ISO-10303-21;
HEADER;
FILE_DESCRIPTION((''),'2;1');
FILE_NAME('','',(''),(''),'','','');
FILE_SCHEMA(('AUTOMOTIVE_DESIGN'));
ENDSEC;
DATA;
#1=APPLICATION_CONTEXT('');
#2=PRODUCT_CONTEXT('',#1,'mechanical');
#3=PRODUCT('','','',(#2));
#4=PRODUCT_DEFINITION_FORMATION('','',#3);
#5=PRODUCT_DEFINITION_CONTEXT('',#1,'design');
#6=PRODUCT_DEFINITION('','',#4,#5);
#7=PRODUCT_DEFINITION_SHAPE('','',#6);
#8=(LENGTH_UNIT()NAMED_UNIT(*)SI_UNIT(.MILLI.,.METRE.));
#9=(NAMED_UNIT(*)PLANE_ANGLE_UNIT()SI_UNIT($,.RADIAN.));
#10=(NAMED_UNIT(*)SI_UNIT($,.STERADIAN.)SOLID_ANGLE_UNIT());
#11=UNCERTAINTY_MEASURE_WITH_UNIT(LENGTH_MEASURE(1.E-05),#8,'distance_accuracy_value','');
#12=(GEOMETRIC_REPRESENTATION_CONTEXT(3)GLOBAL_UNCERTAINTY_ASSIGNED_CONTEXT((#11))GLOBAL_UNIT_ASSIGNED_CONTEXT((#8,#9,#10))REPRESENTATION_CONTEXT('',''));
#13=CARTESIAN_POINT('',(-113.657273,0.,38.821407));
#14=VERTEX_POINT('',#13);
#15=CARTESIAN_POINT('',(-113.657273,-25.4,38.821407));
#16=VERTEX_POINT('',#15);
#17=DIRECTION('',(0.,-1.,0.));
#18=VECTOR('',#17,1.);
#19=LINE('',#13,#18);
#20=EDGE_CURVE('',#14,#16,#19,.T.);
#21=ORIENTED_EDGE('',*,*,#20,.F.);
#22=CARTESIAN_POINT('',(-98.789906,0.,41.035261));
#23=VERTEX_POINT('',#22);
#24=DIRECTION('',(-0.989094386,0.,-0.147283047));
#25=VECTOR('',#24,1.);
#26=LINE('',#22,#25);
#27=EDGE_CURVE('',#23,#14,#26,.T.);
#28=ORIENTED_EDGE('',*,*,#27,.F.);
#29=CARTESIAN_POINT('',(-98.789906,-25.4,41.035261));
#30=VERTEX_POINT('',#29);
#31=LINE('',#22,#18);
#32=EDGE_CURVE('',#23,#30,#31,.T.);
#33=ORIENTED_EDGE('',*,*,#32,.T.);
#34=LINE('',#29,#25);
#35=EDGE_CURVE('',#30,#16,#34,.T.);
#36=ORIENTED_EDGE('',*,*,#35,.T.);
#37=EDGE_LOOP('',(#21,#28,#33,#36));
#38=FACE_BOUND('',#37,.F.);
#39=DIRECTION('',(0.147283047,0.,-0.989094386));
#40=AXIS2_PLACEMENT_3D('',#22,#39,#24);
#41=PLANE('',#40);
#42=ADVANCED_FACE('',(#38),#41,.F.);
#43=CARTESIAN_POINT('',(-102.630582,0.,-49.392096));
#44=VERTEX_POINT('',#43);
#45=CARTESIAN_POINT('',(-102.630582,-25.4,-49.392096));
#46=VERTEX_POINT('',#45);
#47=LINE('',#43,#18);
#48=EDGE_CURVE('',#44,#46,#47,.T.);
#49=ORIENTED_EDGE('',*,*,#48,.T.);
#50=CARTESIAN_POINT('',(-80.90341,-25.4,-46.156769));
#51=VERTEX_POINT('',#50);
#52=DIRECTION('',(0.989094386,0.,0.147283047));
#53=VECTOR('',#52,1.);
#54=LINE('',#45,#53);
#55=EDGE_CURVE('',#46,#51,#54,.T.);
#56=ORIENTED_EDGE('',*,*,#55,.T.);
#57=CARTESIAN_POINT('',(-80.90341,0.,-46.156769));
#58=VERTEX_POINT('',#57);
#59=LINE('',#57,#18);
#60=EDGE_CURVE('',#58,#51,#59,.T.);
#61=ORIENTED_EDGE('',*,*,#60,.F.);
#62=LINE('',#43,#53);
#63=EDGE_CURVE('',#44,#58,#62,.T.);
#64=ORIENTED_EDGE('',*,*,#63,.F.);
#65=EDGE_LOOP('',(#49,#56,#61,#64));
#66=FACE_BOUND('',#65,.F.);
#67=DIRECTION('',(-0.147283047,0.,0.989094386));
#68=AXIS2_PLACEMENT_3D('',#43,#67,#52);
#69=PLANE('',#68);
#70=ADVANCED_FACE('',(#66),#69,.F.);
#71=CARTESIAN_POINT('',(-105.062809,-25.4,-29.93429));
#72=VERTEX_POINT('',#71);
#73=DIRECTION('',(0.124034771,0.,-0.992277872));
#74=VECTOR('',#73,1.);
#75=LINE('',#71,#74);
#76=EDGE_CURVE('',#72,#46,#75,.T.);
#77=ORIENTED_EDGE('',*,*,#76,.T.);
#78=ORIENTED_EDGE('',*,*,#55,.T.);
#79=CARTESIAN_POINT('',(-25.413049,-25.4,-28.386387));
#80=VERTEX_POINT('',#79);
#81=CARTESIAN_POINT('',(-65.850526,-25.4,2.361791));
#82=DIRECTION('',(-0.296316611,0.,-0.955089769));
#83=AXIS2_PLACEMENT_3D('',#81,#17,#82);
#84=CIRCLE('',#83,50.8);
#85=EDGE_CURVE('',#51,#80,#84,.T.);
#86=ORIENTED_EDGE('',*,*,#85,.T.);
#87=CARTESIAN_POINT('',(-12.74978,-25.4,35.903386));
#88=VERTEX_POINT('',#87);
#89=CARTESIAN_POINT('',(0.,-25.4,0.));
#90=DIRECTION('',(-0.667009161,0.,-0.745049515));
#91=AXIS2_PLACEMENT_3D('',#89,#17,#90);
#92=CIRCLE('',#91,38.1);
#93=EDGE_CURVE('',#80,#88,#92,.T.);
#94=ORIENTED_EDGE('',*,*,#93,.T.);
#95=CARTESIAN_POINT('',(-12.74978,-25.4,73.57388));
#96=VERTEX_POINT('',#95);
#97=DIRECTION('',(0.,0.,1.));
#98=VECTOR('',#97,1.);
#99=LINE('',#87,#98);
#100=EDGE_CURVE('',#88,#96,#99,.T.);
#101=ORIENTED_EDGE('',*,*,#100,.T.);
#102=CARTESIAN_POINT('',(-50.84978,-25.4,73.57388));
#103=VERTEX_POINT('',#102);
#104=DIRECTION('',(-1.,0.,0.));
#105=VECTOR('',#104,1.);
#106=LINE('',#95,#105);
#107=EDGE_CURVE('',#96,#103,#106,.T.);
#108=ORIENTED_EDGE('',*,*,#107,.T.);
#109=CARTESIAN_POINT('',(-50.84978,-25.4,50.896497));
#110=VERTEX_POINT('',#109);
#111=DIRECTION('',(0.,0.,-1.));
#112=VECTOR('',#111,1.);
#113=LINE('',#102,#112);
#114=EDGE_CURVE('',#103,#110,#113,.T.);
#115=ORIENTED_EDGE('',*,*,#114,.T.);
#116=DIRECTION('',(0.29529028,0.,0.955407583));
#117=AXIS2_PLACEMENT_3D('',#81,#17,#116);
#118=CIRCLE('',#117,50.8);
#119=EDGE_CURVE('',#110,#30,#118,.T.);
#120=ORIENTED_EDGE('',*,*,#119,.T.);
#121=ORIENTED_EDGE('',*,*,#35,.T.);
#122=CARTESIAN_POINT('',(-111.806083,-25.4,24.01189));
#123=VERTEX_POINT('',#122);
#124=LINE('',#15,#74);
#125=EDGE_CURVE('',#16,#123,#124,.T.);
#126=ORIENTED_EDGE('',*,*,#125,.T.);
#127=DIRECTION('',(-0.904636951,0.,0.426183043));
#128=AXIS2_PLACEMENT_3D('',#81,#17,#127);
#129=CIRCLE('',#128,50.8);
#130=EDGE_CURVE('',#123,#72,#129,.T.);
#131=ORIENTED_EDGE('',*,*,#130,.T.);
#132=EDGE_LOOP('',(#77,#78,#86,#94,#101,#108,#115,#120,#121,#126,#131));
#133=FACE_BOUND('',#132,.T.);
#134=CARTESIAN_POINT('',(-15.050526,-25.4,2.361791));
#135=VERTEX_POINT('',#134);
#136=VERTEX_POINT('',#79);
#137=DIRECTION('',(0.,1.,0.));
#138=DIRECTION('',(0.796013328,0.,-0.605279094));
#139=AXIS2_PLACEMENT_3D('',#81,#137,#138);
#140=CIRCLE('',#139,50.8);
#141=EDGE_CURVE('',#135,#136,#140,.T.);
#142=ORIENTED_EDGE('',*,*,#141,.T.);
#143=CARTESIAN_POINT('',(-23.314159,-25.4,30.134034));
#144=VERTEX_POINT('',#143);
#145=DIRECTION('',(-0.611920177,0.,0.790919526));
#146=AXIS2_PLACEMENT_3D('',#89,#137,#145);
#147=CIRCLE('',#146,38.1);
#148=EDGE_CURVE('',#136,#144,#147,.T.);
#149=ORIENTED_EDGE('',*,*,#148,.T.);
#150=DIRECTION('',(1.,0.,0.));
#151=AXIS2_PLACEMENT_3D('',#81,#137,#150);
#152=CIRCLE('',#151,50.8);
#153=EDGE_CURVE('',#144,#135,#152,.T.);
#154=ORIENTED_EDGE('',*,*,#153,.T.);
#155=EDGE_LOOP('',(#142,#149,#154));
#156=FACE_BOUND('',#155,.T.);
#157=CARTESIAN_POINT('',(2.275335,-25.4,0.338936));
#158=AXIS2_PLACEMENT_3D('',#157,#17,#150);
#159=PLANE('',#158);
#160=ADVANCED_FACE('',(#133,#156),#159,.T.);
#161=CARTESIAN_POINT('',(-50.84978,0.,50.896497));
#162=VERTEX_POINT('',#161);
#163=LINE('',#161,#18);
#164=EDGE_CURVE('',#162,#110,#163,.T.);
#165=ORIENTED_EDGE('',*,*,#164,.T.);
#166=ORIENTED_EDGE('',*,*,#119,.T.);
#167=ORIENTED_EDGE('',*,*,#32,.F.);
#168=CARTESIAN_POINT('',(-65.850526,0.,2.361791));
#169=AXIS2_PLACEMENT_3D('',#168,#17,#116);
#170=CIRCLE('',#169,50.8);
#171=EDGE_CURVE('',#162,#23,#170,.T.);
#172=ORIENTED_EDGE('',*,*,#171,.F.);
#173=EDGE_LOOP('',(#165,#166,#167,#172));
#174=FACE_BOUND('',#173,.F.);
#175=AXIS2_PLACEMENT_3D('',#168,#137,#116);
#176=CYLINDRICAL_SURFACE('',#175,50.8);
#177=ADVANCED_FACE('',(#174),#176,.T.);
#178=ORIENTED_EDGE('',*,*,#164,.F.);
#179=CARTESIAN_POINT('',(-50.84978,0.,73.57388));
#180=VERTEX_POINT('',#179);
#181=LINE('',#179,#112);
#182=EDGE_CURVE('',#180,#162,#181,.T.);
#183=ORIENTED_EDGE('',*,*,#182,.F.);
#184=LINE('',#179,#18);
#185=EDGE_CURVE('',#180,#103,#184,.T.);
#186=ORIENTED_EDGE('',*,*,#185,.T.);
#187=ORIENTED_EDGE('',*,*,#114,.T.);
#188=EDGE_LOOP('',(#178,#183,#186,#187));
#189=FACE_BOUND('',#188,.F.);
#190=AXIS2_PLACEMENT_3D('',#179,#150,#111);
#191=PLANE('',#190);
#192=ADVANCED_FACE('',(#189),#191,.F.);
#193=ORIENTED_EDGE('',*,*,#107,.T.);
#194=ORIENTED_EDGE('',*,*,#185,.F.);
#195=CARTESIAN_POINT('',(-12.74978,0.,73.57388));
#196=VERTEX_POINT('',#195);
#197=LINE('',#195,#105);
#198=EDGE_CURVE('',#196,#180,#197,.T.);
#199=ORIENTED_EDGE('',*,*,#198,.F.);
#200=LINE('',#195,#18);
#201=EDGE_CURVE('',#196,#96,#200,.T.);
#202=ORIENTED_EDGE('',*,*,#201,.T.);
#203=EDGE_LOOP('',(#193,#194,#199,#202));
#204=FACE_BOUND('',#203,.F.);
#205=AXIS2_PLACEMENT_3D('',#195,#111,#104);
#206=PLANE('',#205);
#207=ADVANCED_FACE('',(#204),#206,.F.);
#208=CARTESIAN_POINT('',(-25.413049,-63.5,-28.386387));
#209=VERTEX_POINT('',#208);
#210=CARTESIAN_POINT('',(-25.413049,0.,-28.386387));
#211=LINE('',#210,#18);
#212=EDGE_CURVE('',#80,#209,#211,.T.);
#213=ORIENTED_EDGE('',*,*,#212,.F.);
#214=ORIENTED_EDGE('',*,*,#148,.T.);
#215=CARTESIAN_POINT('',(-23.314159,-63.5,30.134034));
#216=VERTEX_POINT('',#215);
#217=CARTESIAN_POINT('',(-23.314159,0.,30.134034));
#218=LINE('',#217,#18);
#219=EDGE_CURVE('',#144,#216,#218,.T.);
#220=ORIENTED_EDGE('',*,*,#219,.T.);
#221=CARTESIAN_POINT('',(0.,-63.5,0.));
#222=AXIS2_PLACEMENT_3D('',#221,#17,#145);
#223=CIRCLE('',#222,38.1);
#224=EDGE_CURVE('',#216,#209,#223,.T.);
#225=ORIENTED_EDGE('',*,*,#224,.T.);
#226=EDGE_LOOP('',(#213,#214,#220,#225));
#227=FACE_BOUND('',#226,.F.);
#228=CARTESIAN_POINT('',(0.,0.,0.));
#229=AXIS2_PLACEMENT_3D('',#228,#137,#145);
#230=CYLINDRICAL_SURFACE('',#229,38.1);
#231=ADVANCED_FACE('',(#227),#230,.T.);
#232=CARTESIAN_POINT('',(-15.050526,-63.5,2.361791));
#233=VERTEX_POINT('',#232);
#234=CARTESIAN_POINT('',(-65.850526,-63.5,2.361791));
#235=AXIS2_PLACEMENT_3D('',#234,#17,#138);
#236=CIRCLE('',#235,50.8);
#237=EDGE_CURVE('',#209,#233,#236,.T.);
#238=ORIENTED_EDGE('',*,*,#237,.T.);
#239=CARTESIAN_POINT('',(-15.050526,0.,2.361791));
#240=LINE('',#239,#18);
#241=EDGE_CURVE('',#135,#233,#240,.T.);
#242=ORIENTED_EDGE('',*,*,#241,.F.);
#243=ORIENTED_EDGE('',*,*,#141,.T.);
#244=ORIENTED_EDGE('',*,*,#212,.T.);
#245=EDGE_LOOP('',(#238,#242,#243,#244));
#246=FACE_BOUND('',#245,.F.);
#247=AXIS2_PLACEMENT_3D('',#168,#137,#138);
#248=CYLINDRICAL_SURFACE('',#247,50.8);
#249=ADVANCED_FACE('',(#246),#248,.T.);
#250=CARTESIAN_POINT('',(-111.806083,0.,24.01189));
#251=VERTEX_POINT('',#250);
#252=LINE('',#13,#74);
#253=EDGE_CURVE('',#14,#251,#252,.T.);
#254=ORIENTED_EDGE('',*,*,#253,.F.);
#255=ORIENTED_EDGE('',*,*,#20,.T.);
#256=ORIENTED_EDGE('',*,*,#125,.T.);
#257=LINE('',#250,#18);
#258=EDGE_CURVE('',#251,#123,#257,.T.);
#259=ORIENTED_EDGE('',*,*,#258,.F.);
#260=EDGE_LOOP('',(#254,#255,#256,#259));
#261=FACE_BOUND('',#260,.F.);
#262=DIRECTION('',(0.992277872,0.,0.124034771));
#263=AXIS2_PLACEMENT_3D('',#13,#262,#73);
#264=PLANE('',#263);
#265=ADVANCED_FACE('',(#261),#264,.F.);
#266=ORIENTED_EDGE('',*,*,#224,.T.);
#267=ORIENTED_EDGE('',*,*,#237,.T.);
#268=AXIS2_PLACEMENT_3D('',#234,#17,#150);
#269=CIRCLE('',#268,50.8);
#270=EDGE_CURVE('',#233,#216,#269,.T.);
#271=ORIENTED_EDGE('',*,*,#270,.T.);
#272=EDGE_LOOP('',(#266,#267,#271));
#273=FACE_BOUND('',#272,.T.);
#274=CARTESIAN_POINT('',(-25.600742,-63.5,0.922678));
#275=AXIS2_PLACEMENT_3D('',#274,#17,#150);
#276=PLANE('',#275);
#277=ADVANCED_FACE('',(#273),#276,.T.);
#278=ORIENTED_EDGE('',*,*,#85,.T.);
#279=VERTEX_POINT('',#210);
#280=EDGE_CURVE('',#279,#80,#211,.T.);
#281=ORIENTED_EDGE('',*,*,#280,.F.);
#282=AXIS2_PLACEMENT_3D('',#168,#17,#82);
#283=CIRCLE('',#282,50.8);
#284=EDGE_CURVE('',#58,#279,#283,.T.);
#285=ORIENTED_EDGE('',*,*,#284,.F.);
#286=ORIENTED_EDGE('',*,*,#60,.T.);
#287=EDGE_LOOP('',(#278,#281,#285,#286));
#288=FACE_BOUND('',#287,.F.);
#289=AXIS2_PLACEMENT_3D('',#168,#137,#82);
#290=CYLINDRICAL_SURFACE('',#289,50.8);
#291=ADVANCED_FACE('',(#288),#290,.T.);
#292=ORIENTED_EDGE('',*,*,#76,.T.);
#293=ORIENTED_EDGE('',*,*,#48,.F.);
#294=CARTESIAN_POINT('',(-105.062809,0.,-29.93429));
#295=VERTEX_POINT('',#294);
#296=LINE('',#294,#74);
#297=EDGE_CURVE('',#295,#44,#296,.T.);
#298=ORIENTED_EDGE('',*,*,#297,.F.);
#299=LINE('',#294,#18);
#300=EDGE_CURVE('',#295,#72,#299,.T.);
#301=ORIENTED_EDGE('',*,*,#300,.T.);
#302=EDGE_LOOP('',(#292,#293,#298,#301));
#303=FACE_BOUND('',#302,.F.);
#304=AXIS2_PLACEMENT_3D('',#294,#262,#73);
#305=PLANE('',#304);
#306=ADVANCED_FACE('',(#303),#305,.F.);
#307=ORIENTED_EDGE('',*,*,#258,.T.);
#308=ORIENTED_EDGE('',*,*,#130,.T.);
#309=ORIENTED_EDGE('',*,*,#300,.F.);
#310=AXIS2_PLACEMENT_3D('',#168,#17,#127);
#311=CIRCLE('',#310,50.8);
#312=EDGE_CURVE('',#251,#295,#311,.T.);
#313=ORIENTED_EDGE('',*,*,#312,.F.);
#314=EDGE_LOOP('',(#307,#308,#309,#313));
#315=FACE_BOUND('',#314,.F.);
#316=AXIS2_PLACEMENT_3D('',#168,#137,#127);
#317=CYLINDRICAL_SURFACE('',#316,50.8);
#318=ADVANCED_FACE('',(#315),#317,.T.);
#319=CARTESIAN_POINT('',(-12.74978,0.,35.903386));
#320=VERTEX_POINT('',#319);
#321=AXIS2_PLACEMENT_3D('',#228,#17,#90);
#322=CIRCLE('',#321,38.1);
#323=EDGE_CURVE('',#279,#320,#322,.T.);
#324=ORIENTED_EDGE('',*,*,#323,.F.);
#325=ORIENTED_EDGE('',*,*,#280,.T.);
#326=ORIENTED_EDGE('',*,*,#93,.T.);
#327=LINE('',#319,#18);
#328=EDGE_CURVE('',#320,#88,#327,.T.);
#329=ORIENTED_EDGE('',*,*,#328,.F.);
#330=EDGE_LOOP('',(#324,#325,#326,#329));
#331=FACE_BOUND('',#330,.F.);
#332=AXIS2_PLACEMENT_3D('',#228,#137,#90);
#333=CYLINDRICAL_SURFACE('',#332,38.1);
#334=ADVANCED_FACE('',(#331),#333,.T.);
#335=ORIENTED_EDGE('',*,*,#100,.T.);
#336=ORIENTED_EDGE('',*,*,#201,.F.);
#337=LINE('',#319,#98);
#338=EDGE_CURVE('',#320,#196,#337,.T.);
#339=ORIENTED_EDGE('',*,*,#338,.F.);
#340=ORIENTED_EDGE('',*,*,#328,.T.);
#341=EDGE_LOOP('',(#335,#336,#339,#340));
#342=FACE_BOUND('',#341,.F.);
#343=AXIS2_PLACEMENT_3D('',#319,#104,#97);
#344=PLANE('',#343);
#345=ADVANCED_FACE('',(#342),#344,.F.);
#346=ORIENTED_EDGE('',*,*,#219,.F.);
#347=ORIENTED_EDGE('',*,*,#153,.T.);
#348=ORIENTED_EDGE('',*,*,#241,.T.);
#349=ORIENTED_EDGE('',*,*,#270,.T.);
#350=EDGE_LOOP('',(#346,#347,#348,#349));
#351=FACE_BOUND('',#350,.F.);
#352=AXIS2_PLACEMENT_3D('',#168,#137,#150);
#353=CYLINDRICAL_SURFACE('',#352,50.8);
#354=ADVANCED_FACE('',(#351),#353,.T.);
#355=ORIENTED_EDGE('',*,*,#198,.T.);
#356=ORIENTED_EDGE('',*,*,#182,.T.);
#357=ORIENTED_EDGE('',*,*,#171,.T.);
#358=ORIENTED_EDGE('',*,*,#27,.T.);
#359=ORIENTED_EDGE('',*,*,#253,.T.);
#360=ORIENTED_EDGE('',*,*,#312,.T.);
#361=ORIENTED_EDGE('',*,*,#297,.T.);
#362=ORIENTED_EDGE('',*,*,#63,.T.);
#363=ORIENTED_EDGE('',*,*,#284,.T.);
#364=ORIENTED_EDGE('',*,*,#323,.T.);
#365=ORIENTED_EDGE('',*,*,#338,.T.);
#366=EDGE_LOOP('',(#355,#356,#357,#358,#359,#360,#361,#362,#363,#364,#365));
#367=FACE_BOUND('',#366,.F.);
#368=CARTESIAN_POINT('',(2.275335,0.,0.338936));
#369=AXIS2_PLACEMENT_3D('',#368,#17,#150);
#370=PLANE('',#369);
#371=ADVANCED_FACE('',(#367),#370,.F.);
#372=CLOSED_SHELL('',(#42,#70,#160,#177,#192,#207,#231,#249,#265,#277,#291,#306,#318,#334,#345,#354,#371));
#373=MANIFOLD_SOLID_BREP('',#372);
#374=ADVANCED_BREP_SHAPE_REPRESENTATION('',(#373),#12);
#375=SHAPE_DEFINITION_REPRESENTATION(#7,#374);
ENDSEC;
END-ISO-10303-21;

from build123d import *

# Parameters (mm, degrees)
F1_DEPTH = 63.5
F2_DEPTH = 25.4


with BuildPart() as f1:
    # F0 (on Front) → F1 (new body)
    with BuildSketch(Plane.XZ):
        with BuildLine():
            ThreePointArc((-23.3141587542, 30.1340339415), (-38.0755183423, 1.3656145011), (-25.4130490193, -28.3863865178))
            ThreePointArc((-25.4130490193, -28.3863865178), (-17.7108136139, -13.8618974825), (-15.0505260944, 2.3617914412))
            ThreePointArc((-15.0505260944, 2.3617914412), (-17.1602423569, 16.849588705), (-23.3141587542, 30.1340339415))
        make_face()
    extrude(amount=F1_DEPTH)

    # F0 (on Front) → F2 (join)
    with BuildSketch(Plane.XZ):
        with BuildLine():
            ThreePointArc((-25.4130490193, -28.3863865178), (15.5462669532, -34.7839558391), (38.1, 0))
            ThreePointArc((38.1, 0), (21.9754793771, 31.1237579053), (-12.7497798503, 35.903385826))
            ThreePointArc((-12.7497798503, 35.903385826), (-18.2612505653, 33.4385515205), (-23.3141587542, 30.1340339415))
            ThreePointArc((-23.3141587542, 30.1340339415), (-17.1602423569, 16.849588705), (-15.0505260944, 2.3617914412))
            ThreePointArc((-15.0505260944, 2.3617914412), (-17.7108136139, -13.8618974825), (-25.4130490193, -28.3863865178))
        make_face()
        with BuildLine():
            ThreePointArc((-23.3141587542, 30.1340339415), (-18.2612505653, 33.4385515205), (-12.7497798503, 35.903385826))
            Line((-12.7497798503, 35.903385826), (-12.7497798503, 73.5738801328))
            Line((-12.7497798503, 73.5738801328), (-50.8497798503, 73.5738801328))
            Line((-50.8497798503, 73.5738801328), (-50.8497798503, 50.8964966749))
            ThreePointArc((-50.8497798503, 50.8964966749), (-35.2662192591, 42.9233517589), (-23.3141587542, 30.1340339415))
        make_face()
        with BuildLine():
            ThreePointArc((-80.903409919, -46.156768807), (-50.357269003, -46.0179458948), (-25.4130490193, -28.3863865178))
            ThreePointArc((-25.4130490193, -28.3863865178), (-38.0755183423, 1.3656145011), (-23.3141587542, 30.1340339415))
            ThreePointArc((-23.3141587542, 30.1340339415), (-35.2662192591, 42.9233517589), (-50.8497798503, 50.8964966749))
            Line((-50.8497798503, 50.8964966749), (-50.8497798503, 48.1738801328))
            Line((-50.8497798503, 48.1738801328), (-39.8230887478, -40.0396227074))
            Line((-39.8230887478, -40.0396227074), (-80.903409919, -46.156768807))
        make_face()
        with BuildLine():
            ThreePointArc((-23.3141587542, 30.1340339415), (-38.0755183423, 1.3656145011), (-25.4130490193, -28.3863865178))
            ThreePointArc((-25.4130490193, -28.3863865178), (-17.7108136139, -13.8618974825), (-15.0505260944, 2.3617914412))
            ThreePointArc((-15.0505260944, 2.3617914412), (-17.1602423569, 16.849588705), (-23.3141587542, 30.1340339415))
        make_face()
        with BuildLine():
            ThreePointArc((-105.0628087076, -29.9342902447), (-94.1695881341, -39.8124984188), (-80.903409919, -46.156768807))
            Line((-80.903409919, -46.156768807), (-39.8230887478, -40.0396227074))
            Line((-39.8230887478, -40.0396227074), (-50.8497798503, 48.1738801328))
            Line((-50.8497798503, 48.1738801328), (-98.7899056875, 41.0352613143))
            ThreePointArc((-98.7899056875, 41.0352613143), (-106.2058423832, 33.2177219447), (-111.8060832271, 24.0118900236))
            Line((-111.8060832271, 24.0118900236), (-105.0628087076, -29.9342902447))
        make_face()
        with BuildLine():
            Line((-102.6305822497, -49.3920961777), (-80.903409919, -46.156768807))
            ThreePointArc((-80.903409919, -46.156768807), (-94.1695881341, -39.8124984188), (-105.0628087076, -29.9342902447))
            Line((-105.0628087076, -29.9342902447), (-102.6305822497, -49.3920961777))
        make_face()
        with BuildLine():
            Line((-50.8497798503, 48.1738801328), (-50.8497798503, 50.8964966749))
            ThreePointArc((-50.8497798503, 50.8964966749), (-76.0857413983, 52.120010538), (-98.7899056875, 41.0352613143))
            Line((-98.7899056875, 41.0352613143), (-50.8497798503, 48.1738801328))
        make_face()
        with BuildLine():
            ThreePointArc((-111.8060832271, 24.0118900236), (-116.2582420031, -3.939174903), (-105.0628087076, -29.9342902447))
            Line((-105.0628087076, -29.9342902447), (-111.8060832271, 24.0118900236))
        make_face()
        with BuildLine():
            ThreePointArc((-111.8060832271, 24.0118900236), (-106.2058423832, 33.2177219447), (-98.7899056875, 41.0352613143))
            Line((-98.7899056875, 41.0352613143), (-113.6572733521, 38.8214066625))
            Line((-113.6572733521, 38.8214066625), (-111.8060832271, 24.0118900236))
        make_face()
    extrude(amount=F2_DEPTH)


solid = f1.part
